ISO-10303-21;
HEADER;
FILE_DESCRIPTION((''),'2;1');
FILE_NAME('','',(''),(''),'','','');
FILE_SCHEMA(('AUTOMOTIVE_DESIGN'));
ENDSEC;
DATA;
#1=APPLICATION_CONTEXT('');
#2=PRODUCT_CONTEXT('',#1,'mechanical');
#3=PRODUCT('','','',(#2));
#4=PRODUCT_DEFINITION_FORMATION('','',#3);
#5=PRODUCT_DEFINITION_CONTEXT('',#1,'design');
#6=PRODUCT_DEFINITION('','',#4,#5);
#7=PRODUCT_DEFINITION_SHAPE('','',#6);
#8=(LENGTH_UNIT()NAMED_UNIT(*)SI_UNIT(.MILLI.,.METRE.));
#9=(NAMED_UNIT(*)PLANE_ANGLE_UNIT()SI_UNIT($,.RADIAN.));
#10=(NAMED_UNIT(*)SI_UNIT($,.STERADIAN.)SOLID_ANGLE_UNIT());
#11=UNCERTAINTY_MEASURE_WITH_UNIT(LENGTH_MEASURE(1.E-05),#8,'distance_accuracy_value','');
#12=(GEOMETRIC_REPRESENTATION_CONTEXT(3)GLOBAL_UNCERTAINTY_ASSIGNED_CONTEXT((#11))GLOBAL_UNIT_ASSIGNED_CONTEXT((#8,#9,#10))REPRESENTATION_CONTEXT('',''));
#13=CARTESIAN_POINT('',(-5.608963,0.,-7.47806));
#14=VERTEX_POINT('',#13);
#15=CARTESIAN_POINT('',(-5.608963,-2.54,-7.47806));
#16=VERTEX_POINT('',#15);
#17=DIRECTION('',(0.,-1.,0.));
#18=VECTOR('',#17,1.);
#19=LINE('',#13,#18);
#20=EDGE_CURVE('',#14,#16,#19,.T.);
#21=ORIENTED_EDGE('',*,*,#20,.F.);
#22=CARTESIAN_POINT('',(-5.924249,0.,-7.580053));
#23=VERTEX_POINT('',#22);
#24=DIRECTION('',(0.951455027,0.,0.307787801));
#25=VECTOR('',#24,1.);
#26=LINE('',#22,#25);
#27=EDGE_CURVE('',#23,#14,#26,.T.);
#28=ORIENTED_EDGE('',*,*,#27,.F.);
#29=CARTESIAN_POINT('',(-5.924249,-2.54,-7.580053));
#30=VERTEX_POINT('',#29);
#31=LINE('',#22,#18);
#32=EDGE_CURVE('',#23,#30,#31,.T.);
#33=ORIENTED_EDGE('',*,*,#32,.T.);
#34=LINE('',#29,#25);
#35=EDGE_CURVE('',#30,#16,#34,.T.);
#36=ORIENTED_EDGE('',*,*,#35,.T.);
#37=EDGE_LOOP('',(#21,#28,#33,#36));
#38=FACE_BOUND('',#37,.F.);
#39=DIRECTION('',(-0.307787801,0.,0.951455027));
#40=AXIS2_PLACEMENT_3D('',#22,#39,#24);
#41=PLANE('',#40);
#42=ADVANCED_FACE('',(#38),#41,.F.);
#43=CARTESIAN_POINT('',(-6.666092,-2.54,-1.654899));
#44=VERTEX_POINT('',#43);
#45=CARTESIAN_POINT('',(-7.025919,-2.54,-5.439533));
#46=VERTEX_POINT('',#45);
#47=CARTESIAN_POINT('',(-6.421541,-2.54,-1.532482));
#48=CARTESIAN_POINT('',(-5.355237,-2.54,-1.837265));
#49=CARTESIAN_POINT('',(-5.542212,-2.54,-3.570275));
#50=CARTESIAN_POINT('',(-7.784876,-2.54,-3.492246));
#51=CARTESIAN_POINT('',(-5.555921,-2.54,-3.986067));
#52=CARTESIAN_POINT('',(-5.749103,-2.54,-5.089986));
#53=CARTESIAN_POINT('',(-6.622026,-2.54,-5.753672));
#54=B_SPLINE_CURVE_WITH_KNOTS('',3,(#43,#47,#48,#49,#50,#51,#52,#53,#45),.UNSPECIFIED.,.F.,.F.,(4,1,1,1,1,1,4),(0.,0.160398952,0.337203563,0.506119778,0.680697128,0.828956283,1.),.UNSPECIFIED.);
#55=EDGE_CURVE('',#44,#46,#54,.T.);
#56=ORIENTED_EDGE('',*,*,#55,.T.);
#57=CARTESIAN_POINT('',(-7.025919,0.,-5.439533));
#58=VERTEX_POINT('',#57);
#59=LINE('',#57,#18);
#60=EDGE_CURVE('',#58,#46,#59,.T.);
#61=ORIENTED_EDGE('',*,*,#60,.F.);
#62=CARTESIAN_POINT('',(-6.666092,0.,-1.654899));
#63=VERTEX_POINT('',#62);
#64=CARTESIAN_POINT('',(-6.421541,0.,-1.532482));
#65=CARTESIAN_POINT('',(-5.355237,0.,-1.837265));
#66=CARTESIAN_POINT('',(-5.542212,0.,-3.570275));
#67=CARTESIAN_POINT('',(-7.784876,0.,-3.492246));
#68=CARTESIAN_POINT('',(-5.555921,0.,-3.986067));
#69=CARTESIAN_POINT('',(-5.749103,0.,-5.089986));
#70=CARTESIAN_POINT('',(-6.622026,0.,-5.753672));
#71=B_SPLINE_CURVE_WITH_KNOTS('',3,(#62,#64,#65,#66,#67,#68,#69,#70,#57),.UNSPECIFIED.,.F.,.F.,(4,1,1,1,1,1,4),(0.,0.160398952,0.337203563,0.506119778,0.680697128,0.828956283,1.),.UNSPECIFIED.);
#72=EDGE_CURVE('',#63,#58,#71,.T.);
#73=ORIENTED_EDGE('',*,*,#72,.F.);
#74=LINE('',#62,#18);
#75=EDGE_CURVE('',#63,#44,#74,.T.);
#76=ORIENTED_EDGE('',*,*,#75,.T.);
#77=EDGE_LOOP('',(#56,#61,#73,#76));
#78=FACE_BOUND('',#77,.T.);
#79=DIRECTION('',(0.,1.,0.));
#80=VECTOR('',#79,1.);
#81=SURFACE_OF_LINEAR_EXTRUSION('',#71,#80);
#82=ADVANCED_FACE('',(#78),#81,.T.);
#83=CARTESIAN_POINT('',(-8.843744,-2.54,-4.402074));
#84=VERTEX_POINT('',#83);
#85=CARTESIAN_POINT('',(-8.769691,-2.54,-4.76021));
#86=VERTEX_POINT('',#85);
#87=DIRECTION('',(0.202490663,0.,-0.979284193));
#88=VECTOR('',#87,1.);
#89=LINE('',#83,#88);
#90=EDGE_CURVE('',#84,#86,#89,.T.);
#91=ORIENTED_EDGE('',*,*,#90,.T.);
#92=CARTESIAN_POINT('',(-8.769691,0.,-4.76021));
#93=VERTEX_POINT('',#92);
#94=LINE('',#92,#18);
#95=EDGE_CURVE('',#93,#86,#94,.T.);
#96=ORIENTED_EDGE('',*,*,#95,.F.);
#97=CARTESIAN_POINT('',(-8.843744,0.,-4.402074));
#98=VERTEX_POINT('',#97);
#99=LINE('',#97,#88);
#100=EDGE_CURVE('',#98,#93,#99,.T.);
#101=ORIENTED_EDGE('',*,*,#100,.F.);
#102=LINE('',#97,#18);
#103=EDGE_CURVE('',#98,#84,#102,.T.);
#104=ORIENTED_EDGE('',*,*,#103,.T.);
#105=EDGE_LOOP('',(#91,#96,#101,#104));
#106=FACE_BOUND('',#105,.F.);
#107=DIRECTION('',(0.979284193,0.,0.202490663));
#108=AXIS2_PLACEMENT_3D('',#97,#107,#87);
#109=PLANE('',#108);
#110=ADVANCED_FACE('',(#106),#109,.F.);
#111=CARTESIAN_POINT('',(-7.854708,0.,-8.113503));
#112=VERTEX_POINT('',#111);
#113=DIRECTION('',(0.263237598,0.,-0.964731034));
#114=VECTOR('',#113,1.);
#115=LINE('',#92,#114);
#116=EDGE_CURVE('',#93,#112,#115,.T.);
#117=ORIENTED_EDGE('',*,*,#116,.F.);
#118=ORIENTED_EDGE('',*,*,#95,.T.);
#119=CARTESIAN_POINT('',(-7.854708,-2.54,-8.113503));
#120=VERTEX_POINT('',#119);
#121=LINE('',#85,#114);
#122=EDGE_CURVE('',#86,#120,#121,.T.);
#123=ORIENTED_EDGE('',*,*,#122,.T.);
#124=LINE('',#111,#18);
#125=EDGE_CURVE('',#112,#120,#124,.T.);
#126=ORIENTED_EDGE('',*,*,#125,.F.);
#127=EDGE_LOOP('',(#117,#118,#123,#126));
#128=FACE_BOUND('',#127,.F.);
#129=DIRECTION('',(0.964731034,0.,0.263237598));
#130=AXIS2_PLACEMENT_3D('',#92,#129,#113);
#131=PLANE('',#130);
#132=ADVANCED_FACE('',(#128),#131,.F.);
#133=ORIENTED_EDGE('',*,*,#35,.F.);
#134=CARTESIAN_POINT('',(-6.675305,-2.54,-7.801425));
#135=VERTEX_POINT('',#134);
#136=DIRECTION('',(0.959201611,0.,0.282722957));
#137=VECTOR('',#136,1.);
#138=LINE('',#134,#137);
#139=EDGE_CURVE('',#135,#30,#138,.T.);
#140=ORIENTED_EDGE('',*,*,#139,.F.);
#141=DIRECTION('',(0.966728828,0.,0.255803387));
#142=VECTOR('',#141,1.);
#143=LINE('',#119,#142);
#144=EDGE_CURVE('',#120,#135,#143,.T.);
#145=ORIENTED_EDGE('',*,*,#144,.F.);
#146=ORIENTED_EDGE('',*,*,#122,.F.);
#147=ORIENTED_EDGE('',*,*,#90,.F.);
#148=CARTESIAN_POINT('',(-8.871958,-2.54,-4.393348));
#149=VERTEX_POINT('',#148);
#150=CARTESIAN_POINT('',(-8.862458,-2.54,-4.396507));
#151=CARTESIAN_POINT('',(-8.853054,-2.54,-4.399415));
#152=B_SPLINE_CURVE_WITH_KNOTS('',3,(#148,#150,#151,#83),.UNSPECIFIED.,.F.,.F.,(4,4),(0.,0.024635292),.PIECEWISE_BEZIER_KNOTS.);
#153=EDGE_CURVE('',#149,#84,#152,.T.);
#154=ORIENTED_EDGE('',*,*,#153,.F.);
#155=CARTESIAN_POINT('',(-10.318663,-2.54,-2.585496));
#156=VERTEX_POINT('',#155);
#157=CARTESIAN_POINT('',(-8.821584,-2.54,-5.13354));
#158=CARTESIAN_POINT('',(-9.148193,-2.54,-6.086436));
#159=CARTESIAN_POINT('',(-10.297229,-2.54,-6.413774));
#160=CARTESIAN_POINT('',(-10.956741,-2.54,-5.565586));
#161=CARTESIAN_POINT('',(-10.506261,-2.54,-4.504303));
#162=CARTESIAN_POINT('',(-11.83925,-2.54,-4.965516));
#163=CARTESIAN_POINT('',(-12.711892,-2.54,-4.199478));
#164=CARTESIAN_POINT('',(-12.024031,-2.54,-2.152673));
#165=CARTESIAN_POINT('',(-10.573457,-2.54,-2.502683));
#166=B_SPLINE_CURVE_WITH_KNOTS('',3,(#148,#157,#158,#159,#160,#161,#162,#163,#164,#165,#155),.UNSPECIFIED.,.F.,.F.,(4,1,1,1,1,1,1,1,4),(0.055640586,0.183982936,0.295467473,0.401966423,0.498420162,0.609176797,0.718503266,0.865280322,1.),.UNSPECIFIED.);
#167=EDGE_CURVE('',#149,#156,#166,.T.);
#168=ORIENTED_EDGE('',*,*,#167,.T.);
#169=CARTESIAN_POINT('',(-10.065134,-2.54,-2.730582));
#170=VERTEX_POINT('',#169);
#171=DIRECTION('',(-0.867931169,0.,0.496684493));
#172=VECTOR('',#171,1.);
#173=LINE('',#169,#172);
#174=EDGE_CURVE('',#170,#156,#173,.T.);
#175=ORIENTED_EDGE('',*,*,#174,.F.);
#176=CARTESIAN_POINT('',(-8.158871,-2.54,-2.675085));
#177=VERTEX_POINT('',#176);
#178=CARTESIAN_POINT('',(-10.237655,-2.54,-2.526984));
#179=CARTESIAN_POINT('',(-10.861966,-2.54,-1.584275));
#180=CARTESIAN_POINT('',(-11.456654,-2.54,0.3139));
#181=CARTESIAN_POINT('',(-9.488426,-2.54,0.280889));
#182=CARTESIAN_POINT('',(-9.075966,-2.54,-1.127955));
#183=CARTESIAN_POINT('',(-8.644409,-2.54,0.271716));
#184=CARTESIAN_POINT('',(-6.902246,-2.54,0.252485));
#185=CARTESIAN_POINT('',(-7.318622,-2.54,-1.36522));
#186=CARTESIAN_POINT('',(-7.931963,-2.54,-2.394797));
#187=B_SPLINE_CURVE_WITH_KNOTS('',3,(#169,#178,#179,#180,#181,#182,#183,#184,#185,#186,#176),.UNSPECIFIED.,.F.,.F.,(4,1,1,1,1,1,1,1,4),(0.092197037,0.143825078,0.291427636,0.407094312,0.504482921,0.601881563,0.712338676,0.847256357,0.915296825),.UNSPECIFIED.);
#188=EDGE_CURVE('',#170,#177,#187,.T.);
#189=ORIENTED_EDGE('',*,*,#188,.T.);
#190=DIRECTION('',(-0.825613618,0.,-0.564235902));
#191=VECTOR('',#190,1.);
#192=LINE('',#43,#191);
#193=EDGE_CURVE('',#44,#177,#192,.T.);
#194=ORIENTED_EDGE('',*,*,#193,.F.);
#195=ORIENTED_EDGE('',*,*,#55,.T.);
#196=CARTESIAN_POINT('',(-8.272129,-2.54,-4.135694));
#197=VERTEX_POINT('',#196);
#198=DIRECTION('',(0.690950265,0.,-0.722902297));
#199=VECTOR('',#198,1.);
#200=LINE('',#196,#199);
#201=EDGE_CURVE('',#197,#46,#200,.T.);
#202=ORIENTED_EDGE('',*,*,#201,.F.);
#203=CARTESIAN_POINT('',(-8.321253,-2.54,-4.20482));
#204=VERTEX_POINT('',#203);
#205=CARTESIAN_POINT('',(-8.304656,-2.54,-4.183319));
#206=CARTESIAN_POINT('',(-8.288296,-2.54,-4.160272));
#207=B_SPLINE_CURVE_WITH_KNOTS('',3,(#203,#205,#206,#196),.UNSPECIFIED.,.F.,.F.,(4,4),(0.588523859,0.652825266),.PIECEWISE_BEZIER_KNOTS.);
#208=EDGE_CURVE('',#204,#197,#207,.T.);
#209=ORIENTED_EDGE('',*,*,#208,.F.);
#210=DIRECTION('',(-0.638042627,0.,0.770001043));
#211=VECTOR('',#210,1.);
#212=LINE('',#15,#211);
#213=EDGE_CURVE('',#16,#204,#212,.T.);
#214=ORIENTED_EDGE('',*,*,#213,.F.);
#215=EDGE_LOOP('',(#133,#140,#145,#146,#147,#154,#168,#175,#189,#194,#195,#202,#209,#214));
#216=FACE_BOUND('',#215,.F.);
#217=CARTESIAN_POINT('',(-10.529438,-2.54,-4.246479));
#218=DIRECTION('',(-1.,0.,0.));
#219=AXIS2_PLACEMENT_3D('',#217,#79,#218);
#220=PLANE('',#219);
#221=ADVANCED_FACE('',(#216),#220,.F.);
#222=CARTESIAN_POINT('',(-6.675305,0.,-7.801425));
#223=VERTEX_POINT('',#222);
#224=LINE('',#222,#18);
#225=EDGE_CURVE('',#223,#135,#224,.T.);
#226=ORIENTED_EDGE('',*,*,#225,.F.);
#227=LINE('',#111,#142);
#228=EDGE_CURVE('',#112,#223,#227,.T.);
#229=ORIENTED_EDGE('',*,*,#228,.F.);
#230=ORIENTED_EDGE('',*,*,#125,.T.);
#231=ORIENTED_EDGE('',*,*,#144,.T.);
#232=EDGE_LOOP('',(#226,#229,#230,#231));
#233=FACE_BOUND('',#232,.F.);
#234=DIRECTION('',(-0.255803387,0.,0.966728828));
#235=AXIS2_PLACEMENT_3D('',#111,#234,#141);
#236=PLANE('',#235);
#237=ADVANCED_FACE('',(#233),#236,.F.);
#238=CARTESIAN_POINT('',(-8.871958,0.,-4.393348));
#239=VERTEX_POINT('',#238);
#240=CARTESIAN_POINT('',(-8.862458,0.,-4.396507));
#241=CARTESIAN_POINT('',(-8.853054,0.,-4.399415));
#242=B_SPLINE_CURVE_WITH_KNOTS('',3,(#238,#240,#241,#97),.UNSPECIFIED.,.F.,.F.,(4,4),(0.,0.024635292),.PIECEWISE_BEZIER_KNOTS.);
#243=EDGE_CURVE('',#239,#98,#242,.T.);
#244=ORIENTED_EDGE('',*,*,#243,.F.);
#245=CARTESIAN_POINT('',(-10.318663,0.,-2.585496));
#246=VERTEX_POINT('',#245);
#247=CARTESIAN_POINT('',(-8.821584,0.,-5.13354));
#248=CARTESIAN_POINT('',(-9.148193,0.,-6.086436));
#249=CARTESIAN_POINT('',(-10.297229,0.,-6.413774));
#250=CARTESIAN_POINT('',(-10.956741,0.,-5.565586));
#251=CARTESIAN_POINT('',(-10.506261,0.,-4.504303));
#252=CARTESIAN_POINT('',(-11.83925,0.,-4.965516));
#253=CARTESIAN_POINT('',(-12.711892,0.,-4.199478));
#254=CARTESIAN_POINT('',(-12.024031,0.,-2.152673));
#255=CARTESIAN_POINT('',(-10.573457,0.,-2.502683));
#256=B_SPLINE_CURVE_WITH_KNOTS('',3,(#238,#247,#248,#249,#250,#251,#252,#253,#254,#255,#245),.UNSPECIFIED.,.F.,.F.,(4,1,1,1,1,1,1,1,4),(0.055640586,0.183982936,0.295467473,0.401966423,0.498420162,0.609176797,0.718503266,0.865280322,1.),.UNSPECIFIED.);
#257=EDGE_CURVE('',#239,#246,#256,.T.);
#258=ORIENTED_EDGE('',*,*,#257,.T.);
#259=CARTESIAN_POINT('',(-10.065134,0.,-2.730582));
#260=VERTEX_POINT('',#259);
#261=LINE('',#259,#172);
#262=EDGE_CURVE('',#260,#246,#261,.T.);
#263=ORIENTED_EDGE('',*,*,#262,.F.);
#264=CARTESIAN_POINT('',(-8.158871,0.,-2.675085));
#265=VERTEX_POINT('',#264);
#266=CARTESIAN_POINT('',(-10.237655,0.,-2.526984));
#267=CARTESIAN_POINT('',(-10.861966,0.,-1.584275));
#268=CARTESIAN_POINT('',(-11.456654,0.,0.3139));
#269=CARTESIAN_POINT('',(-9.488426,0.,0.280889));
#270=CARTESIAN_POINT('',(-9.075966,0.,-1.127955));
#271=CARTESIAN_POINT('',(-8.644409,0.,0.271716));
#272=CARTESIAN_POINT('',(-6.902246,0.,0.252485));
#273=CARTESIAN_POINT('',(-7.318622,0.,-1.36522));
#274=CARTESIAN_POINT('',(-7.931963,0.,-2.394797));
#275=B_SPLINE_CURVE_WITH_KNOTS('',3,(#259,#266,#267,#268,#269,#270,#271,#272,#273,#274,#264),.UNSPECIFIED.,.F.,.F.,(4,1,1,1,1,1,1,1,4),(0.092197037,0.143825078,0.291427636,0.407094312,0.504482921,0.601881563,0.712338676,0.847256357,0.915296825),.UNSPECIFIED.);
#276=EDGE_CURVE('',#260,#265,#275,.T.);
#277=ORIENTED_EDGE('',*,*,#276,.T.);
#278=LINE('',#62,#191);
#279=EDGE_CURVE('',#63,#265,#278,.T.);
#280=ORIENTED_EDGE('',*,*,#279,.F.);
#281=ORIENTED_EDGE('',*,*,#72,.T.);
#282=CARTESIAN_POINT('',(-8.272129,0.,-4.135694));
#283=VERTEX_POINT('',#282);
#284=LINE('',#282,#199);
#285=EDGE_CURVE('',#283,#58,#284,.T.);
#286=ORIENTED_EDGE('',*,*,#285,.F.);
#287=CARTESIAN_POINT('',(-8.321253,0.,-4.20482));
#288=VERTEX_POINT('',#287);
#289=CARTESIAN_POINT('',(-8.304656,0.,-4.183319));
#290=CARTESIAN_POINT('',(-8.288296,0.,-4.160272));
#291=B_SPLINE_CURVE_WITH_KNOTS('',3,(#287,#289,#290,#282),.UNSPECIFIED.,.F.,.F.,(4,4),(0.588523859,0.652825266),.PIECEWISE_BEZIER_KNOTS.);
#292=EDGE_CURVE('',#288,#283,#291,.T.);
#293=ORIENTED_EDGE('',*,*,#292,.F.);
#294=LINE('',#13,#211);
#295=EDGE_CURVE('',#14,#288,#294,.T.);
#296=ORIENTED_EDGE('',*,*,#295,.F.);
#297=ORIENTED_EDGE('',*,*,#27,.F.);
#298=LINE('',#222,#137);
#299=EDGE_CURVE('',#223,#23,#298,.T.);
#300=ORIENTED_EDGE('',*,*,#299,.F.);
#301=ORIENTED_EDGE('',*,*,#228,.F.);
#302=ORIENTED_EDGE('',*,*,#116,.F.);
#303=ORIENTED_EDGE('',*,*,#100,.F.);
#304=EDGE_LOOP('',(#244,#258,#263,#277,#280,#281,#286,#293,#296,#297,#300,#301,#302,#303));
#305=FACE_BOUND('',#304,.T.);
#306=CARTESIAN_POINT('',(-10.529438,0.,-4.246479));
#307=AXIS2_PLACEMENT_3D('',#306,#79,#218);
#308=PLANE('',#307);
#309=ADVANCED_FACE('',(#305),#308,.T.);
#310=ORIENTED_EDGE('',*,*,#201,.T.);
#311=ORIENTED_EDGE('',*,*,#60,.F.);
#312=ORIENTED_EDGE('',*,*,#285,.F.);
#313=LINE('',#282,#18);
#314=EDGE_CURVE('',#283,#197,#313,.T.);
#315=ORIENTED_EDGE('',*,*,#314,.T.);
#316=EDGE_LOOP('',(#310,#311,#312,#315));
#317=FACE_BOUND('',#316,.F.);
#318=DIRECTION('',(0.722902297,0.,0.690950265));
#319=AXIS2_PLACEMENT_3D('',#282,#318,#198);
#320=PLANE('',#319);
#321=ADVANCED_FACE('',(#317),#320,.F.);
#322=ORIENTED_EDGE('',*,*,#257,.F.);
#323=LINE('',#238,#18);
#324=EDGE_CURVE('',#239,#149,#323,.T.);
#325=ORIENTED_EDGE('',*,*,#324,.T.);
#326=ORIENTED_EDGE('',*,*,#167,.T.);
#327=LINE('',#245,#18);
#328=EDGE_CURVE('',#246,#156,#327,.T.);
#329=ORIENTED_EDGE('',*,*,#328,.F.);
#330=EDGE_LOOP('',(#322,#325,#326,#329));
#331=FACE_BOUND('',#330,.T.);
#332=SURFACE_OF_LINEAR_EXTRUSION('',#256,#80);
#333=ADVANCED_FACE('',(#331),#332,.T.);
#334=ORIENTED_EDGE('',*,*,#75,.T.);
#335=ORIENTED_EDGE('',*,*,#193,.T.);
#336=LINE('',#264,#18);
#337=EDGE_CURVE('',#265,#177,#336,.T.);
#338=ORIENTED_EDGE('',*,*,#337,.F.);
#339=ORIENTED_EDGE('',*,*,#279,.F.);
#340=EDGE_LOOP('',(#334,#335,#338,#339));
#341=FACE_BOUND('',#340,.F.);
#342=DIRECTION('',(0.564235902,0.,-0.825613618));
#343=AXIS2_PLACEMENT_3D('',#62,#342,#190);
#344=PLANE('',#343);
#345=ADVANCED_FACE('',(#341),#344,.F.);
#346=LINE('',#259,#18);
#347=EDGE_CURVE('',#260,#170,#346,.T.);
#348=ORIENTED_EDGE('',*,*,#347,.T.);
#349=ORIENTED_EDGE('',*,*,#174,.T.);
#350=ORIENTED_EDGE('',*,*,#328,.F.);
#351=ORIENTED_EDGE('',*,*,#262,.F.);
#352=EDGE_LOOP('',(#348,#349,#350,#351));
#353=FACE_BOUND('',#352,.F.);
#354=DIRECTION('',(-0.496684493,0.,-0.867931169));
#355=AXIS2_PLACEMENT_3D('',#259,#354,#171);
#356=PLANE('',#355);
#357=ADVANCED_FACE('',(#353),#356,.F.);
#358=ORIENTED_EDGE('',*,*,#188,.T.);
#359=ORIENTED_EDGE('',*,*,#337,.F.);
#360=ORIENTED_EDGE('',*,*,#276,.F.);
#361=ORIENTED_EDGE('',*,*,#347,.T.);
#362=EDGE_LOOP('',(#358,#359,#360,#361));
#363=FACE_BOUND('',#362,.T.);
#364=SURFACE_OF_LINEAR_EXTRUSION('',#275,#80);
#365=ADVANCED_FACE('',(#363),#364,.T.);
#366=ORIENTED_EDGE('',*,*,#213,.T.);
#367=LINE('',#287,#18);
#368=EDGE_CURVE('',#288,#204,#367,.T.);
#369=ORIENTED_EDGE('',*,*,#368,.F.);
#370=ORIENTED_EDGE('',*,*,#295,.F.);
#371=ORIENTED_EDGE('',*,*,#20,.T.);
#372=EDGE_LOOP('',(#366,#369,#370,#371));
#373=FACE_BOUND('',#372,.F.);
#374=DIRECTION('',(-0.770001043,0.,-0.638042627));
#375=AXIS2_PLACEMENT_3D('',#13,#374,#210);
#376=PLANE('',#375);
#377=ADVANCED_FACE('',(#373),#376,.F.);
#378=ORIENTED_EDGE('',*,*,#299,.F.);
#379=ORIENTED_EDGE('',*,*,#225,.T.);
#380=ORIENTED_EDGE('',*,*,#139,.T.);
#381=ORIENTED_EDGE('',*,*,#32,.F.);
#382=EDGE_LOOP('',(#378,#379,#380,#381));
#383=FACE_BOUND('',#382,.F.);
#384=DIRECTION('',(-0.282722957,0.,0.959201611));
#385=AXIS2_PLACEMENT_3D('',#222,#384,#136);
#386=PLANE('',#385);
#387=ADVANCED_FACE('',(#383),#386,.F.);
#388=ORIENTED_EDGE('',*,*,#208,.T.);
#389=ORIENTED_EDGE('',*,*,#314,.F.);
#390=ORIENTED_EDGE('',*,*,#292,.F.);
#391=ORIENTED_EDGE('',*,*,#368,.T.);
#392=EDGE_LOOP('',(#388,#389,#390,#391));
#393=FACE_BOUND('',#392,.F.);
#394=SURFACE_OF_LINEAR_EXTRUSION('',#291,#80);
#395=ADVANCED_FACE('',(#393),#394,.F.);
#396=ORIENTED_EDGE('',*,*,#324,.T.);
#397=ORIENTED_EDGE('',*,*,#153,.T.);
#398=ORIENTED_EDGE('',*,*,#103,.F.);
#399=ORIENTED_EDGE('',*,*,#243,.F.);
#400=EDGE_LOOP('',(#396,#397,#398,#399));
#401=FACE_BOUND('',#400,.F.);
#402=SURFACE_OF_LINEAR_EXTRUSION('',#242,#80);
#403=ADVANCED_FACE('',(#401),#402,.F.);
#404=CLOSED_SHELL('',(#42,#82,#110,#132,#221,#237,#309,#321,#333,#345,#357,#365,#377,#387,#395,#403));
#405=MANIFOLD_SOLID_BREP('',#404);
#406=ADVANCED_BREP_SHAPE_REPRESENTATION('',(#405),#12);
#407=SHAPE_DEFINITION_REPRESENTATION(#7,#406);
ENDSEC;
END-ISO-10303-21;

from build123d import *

# Parameters (mm, degrees)
F1_DEPTH = 2.54


with BuildPart() as f1:
    # F0 (on Front) → F1 (new body)
    with BuildSketch(Plane.XZ):
        with BuildLine():
            add(Edge.make_bspline(
                [(-9.0718287975, -3.2990127802), (-8.9579534551, -3.7082776389), (-8.8937965755, -4.0724509808), (-8.8719579874, -4.3933481054)],
                knots=[0, 0, 0, 0, 0.0556405856, 0.0556405856, 0.0556405856, 0.0556405856], degree=3))
            add(Edge.make_bspline(
                [(-9.0718287975, -3.2990127802), (-9.4147093571, -3.3279724451), (-9.757045902, -3.0941643672), (-10.0651336564, -2.7305816217)],
                knots=[0, 0, 0, 0, 0.0921970373, 0.0921970373, 0.0921970373, 0.0921970373], degree=3))
            Line((-10.0651336564, -2.7305816217), (-10.3186629745, -2.5854962909))
            add(Edge.make_bspline(
                [(-8.8719579874, -4.3933481054), (-8.8215844032, -5.1335396511), (-9.1481926562, -6.0864355589), (-10.2972291303, -6.413773906), (-10.956740756, -5.5655864405), (-10.5062609412, -4.5043028568), (-11.839250047, -4.9655155574), (-12.7118917097, -4.199478497), (-12.0240310939, -2.1526731677), (-10.5734566265, -2.5026830305), (-10.3186629745, -2.5854962909)],
                knots=[0.0556405856, 0.0556405856, 0.0556405856, 0.0556405856, 0.1839829356, 0.2954674734, 0.4019664234, 0.4984201622, 0.6091767965, 0.7185032659, 0.8652803224, 1, 1, 1, 1], degree=3))
        make_face()
        with BuildLine():
            add(Edge.make_bspline(
                [(-9.0718287975, -3.2990127802), (-9.4147093571, -3.3279724451), (-9.757045902, -3.0941643672), (-10.0651336564, -2.7305816217)],
                knots=[0, 0, 0, 0, 0.0921970373, 0.0921970373, 0.0921970373, 0.0921970373], degree=3))
            add(Edge.make_bspline(
                [(-8.1588712512, -2.6750848148), (-8.4413478159, -3.0240134659), (-8.7568178931, -3.2724069841), (-9.0718287975, -3.2990127802)],
                knots=[0.9152968249, 0.9152968249, 0.9152968249, 0.9152968249, 1, 1, 1, 1], degree=3))
            add(Edge.make_bspline(
                [(-10.0651336564, -2.7305816217), (-10.237655114, -2.5269843533), (-10.8619655212, -1.5842749889), (-11.4566535957, 0.3139004717), (-9.4884260384, 0.2808893612), (-9.0759657665, -1.1279547701), (-8.6444089297, 0.2717163224), (-6.9022459178, 0.252485392), (-7.3186224098, -1.3652204275), (-7.931963137, -2.3947969888), (-8.1588712512, -2.6750848148)],
                knots=[0.0921970373, 0.0921970373, 0.0921970373, 0.0921970373, 0.1438250784, 0.2914276355, 0.4070943123, 0.5044829207, 0.6018815627, 0.712338676, 0.8472563567, 0.9152968249, 0.9152968249, 0.9152968249, 0.9152968249], degree=3))
        make_face()
        with BuildLine():
            add(Edge.make_bspline(
                [(-8.1588712512, -2.6750848148), (-8.4413478159, -3.0240134659), (-8.7568178931, -3.2724069841), (-9.0718287975, -3.2990127802)],
                knots=[0.9152968249, 0.9152968249, 0.9152968249, 0.9152968249, 1, 1, 1, 1], degree=3))
            add(Edge.make_bspline(
                [(-9.0718287975, -3.2990127802), (-8.9579534551, -3.7082776389), (-8.8937965755, -4.0724509808), (-8.8719579874, -4.3933481054)],
                knots=[0, 0, 0, 0, 0.0556405856, 0.0556405856, 0.0556405856, 0.0556405856], degree=3))
            add(Edge.make_bspline(
                [(-8.8719579874, -4.3933481054), (-8.8624576483, -4.3965065297), (-8.8530538935, -4.3994150071), (-8.8437441416, -4.4020744949)],
                knots=[0, 0, 0, 0, 0.0246352921, 0.0246352921, 0.0246352921, 0.0246352921], degree=3))
            add(Edge.make_bspline(
                [(-8.8437441416, -4.4020744949), (-8.6306489342, -4.4629487391), (-8.4668044001, -4.3933705237), (-8.3212534711, -4.2048202604)],
                knots=[0.0246352921, 0.0246352921, 0.0246352921, 0.0246352921, 0.5885238592, 0.5885238592, 0.5885238592, 0.5885238592], degree=3))
            add(Edge.make_bspline(
                [(-8.3212534711, -4.2048202604), (-8.3046559906, -4.1833194748), (-8.2882963878, -4.1602716573), (-8.2721287597, -4.1356938308)],
                knots=[0.5885238592, 0.5885238592, 0.5885238592, 0.5885238592, 0.6528252658, 0.6528252658, 0.6528252658, 0.6528252658], degree=3))
            Line((-8.2721287597, -4.1356938308), (-7.0259191038, -5.439532714))
            add(Edge.make_bspline(
                [(-6.6660924419, -1.6548988827), (-6.4215408638, -1.5324817505), (-5.3552370251, -1.8372645845), (-5.54221156, -3.5702748101), (-7.7848760718, -3.4922459734), (-5.5559212452, -3.9860674972), (-5.7491027301, -5.089985979), (-6.6220261125, -5.7536719591), (-7.0259191038, -5.439532714)],
                knots=[0, 0, 0, 0, 0.1603989525, 0.3372035628, 0.5061197778, 0.680697128, 0.8289562832, 1, 1, 1, 1], degree=3))
            Line((-6.6660924419, -1.6548988827), (-8.1588712512, -2.6750848148))
        make_face()
        with BuildLine():
            add(Edge.make_bspline(
                [(-8.8437441416, -4.4020744949), (-8.6306489342, -4.4629487391), (-8.4668044001, -4.3933705237), (-8.3212534711, -4.2048202604)],
                knots=[0.0246352921, 0.0246352921, 0.0246352921, 0.0246352921, 0.5885238592, 0.5885238592, 0.5885238592, 0.5885238592], degree=3))
            Line((-8.8437441416, -4.4020744949), (-8.7696909885, -4.7602099324))
            Line((-8.7696909885, -4.7602099324), (-7.8547075371, -8.1135034519))
            Line((-7.8547075371, -8.1135034519), (-6.6753053557, -7.8014251692))
            Line((-6.6753053557, -7.8014251692), (-5.9242489809, -7.5800526479))
            Line((-5.9242489809, -7.5800526479), (-5.6089628457, -7.478060201))
            Line((-5.6089628457, -7.478060201), (-8.3212534711, -4.2048202604))
        make_face()
    extrude(amount=F1_DEPTH)


solid = f1.part
